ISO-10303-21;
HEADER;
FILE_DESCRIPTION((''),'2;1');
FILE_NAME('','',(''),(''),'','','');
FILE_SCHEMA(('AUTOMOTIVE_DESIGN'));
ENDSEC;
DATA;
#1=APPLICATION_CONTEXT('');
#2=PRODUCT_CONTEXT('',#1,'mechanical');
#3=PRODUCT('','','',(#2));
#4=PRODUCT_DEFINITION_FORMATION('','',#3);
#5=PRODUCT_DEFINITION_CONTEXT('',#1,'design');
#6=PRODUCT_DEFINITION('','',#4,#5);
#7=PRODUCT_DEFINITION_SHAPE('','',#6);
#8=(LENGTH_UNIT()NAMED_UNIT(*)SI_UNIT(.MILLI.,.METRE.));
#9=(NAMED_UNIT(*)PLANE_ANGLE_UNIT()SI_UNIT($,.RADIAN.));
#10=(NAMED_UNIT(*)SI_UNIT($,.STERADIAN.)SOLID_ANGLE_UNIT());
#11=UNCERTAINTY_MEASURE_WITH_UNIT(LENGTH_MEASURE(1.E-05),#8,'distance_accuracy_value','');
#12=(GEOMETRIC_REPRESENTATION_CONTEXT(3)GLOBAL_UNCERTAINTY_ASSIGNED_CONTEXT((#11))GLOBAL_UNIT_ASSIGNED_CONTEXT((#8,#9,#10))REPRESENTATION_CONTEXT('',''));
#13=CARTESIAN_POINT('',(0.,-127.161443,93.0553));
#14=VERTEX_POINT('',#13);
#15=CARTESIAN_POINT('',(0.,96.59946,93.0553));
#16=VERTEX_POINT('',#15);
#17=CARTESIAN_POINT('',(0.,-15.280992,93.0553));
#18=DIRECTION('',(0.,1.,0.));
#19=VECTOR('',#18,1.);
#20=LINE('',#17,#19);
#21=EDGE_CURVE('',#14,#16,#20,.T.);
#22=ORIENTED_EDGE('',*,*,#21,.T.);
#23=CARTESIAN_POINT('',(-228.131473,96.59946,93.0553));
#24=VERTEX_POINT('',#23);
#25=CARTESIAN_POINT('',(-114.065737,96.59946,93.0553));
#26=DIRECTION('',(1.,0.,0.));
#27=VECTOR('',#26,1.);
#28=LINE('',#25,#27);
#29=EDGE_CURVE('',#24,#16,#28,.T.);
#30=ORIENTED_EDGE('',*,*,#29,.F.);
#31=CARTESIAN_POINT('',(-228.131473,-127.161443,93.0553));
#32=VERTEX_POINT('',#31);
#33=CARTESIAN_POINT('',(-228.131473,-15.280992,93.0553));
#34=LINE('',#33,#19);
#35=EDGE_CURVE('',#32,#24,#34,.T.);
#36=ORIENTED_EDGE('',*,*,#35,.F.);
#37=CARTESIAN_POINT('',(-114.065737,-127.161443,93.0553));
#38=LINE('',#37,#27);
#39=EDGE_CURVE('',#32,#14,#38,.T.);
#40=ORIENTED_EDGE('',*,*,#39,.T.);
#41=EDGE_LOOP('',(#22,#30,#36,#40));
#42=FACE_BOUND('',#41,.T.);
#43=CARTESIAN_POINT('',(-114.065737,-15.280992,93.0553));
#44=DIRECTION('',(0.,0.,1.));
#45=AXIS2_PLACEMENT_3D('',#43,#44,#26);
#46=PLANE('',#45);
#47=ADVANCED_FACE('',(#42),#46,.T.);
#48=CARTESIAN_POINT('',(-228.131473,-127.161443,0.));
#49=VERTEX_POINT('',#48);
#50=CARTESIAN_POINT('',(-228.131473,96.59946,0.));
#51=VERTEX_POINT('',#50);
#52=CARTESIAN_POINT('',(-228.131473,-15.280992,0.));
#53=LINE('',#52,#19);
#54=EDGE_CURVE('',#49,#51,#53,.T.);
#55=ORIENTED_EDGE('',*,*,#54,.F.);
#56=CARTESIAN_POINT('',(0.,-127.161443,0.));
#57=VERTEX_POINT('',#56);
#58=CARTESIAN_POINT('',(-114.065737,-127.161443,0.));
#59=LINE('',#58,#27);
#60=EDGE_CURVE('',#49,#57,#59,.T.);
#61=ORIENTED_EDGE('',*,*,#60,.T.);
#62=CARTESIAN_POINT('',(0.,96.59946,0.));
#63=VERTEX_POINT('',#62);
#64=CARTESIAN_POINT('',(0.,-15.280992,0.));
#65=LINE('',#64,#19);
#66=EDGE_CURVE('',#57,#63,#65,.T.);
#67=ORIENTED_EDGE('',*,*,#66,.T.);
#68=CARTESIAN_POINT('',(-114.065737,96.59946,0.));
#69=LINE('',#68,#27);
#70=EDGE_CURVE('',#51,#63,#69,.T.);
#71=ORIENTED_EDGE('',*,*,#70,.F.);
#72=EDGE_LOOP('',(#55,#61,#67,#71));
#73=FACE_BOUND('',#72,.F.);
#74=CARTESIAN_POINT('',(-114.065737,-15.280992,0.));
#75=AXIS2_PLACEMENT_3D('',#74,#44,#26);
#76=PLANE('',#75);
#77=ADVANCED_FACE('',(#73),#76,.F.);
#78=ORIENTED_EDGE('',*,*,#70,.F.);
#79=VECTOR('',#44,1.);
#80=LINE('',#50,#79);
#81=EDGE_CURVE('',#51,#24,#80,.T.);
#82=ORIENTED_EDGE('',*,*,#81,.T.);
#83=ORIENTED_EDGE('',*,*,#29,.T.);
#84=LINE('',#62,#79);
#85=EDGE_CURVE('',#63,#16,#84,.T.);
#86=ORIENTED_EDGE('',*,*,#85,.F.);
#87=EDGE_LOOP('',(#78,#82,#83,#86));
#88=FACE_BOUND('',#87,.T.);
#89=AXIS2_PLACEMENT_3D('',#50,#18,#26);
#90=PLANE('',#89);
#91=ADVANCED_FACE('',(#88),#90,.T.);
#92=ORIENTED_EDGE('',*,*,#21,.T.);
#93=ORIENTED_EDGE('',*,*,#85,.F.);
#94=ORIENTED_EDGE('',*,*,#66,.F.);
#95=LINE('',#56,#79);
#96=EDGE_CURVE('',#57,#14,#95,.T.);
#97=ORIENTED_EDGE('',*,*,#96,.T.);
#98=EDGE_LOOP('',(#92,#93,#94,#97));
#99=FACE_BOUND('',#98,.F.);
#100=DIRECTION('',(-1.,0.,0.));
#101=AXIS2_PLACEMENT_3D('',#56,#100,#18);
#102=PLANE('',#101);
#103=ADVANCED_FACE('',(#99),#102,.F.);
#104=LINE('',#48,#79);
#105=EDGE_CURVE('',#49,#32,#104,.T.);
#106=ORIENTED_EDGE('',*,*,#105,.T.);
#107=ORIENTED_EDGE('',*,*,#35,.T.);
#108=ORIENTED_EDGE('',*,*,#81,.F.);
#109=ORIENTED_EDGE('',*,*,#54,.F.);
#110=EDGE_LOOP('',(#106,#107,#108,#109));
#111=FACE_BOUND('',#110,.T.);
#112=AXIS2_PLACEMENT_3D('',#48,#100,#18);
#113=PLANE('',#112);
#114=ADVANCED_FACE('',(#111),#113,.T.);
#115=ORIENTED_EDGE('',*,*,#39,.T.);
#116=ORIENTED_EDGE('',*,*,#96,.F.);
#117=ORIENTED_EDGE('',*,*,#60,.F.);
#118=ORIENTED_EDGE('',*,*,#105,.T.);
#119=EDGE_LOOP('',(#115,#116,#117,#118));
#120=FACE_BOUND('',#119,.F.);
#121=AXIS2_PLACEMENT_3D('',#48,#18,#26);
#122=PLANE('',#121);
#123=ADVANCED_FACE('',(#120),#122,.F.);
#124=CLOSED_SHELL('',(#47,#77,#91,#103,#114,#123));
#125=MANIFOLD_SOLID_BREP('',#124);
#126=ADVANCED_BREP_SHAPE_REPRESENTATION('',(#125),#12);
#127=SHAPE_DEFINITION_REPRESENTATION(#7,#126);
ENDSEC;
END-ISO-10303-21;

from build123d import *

# Parameters (mm, degrees)
F0_W     = 228.1314730644
F0_H     = 223.7609028816
F0_W_2   = 64.8332834244
F0_H_2   = 4.016213119
F1_DEPTH = 93.0553


with BuildPart() as f1:
    # F0 (on Top) → F1 (new body)
    with BuildSketch(Plane.XY):
        with Locations((-114.0657365322, -15.2809917927)):
            Rectangle(F0_W, F0_H)
        with Locations((-100.1861393452, -111.6703040898)):
            Rectangle(F0_W_2, F0_H_2, mode=Mode.SUBTRACT)
        with Locations((-100.1861393452, -111.6703040898)):
            Rectangle(F0_W_2, F0_H_2)
    extrude(amount=F1_DEPTH)


solid = f1.part
